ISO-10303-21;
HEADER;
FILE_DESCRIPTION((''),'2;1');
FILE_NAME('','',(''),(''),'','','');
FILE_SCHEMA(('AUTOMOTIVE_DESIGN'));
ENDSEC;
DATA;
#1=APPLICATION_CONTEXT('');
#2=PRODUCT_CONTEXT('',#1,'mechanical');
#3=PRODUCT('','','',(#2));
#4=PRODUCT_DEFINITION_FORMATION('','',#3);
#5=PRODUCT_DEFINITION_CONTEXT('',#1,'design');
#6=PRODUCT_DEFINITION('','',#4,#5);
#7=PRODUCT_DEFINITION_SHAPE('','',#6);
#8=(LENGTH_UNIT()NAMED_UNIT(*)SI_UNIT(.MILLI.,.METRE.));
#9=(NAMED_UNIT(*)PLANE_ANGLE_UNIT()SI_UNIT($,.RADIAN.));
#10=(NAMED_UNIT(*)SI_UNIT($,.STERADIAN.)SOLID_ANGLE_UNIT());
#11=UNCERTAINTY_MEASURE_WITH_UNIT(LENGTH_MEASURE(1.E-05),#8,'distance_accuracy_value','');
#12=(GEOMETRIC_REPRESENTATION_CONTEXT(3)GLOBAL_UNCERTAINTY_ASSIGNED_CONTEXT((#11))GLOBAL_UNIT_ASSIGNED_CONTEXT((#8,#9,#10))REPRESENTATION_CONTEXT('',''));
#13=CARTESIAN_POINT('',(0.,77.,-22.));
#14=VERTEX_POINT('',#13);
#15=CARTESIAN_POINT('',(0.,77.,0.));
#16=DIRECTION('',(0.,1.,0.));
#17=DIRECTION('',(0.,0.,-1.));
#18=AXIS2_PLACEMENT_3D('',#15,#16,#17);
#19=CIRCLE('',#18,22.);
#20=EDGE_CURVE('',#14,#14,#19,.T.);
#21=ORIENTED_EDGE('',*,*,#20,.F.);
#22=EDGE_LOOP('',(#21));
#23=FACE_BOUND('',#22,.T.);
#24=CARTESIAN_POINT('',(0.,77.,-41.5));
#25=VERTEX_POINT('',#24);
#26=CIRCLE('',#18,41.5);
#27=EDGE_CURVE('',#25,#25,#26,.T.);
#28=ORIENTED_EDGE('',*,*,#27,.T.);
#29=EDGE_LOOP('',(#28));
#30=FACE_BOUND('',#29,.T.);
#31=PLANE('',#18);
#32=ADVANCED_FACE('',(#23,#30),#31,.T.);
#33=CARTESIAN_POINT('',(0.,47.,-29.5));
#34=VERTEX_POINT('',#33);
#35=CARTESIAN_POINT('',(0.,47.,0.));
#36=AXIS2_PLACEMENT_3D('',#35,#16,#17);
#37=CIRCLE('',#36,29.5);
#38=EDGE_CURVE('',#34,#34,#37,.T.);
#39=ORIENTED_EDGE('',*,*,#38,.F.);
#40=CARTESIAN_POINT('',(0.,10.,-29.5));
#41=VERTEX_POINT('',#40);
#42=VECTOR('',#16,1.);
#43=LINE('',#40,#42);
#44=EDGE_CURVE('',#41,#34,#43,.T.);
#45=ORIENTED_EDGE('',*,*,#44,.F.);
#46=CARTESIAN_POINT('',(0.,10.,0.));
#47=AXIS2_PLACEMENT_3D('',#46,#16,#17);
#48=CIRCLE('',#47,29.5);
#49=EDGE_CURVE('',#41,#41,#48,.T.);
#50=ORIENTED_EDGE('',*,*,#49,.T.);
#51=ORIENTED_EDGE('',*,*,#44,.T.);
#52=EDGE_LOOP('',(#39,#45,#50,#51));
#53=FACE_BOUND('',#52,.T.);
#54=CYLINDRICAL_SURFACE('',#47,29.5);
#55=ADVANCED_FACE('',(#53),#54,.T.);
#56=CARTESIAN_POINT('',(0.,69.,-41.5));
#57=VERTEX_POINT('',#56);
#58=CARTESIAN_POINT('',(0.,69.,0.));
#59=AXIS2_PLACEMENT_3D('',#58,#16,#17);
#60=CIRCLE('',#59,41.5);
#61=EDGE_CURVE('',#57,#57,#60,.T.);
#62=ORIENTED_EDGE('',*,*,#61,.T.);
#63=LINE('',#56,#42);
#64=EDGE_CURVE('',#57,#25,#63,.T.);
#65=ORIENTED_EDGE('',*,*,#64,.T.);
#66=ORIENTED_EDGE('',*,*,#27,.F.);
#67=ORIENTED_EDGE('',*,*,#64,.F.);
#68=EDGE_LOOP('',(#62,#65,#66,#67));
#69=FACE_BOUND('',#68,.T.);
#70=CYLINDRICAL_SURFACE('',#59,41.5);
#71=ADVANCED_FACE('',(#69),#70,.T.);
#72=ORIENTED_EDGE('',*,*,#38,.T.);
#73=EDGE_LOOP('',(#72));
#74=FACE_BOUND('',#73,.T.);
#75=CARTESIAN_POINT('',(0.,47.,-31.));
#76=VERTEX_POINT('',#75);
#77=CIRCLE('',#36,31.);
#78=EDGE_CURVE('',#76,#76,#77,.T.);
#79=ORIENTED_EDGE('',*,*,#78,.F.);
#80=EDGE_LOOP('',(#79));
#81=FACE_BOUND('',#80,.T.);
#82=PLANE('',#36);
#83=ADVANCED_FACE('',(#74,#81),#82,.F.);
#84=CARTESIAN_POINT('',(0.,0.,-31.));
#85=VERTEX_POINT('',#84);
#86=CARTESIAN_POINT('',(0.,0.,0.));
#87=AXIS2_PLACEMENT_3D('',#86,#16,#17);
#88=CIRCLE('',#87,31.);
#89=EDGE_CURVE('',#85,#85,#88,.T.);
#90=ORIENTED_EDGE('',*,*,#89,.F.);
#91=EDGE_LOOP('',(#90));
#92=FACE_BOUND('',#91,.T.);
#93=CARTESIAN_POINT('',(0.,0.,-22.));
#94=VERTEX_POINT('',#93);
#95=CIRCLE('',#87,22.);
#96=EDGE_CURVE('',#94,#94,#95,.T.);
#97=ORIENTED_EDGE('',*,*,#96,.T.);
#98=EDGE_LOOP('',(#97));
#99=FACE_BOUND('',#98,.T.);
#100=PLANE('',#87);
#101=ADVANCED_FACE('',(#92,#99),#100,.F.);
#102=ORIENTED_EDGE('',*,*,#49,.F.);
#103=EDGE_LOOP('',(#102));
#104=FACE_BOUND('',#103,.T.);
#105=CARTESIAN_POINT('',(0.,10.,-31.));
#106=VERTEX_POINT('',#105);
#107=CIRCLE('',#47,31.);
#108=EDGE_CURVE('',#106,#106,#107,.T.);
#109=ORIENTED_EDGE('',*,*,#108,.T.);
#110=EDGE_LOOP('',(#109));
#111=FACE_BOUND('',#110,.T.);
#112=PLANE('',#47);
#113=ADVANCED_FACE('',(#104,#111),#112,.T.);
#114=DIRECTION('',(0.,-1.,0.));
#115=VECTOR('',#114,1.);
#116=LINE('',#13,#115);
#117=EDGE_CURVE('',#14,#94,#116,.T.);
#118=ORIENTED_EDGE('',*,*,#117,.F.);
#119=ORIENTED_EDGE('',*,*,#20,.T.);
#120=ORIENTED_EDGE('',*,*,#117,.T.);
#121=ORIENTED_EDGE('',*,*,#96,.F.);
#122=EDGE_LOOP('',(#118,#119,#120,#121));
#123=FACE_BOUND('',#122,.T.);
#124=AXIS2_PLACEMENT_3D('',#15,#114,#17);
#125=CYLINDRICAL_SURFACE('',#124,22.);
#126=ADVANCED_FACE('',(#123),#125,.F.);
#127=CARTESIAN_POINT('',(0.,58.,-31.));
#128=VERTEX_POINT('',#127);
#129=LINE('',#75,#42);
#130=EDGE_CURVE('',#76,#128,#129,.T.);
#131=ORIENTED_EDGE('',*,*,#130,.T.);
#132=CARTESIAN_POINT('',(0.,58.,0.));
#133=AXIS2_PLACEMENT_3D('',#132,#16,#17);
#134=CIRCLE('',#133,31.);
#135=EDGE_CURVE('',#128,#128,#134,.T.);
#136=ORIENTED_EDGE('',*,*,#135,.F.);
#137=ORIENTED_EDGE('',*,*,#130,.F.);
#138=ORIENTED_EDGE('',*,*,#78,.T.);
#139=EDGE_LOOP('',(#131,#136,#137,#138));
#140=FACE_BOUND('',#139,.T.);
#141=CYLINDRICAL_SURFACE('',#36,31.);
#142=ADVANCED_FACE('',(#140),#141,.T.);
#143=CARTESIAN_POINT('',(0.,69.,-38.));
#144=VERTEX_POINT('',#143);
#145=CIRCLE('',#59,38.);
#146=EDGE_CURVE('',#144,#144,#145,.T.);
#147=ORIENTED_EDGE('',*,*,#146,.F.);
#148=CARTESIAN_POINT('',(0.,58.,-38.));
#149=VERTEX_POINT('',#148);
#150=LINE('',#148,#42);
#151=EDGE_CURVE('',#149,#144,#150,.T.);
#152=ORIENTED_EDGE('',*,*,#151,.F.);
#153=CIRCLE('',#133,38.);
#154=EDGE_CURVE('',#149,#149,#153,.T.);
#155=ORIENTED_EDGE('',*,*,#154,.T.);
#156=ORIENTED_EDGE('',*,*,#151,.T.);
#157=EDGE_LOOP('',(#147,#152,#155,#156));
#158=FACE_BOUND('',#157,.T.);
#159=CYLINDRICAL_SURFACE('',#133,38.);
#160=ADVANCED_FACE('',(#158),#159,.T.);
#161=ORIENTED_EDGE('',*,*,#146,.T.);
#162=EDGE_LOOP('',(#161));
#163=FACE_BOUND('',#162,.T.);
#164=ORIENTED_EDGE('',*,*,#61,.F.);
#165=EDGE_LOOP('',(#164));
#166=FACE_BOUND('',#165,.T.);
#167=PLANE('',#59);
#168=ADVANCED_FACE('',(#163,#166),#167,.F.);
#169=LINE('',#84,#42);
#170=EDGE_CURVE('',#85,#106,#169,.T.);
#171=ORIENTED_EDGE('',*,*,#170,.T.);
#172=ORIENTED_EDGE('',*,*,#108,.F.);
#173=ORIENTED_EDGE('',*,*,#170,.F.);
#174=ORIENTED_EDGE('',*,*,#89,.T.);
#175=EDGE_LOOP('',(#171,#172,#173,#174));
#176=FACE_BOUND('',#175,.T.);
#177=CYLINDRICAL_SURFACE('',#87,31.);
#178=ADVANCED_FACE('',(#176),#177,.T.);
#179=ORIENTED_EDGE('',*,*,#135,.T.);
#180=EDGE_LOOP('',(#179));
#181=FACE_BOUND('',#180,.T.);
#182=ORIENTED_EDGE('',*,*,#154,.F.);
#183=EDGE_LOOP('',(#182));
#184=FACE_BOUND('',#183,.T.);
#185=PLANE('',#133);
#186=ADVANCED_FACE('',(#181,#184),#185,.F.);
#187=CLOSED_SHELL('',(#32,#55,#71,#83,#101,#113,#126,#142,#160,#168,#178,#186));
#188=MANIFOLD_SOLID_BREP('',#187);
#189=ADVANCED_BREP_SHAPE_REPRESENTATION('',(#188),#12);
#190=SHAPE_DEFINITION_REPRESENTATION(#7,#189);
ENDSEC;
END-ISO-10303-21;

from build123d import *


with BuildPart() as part:
    # Sketch1 → Revolve1 (revolve)
    with BuildSketch(Plane.XY, mode=Mode.PRIVATE) as revolve1_sk:
        Polygon((22, 0), (31, 0), (31, 10), (29.5, 10), (29.5, 47), (31, 47), (31, 58), (38, 58), (38, 69), (41.5, 69), (41.5, 77), (22, 77), align=None)
    revolve(revolve1_sk.sketch.rotate(Axis((0, 0, 0), (0, 1, 0)), 90), axis=Axis((0, 0, 0), (0, 1, 0)))  # turned: the seam where the file's is


solid = part.part
